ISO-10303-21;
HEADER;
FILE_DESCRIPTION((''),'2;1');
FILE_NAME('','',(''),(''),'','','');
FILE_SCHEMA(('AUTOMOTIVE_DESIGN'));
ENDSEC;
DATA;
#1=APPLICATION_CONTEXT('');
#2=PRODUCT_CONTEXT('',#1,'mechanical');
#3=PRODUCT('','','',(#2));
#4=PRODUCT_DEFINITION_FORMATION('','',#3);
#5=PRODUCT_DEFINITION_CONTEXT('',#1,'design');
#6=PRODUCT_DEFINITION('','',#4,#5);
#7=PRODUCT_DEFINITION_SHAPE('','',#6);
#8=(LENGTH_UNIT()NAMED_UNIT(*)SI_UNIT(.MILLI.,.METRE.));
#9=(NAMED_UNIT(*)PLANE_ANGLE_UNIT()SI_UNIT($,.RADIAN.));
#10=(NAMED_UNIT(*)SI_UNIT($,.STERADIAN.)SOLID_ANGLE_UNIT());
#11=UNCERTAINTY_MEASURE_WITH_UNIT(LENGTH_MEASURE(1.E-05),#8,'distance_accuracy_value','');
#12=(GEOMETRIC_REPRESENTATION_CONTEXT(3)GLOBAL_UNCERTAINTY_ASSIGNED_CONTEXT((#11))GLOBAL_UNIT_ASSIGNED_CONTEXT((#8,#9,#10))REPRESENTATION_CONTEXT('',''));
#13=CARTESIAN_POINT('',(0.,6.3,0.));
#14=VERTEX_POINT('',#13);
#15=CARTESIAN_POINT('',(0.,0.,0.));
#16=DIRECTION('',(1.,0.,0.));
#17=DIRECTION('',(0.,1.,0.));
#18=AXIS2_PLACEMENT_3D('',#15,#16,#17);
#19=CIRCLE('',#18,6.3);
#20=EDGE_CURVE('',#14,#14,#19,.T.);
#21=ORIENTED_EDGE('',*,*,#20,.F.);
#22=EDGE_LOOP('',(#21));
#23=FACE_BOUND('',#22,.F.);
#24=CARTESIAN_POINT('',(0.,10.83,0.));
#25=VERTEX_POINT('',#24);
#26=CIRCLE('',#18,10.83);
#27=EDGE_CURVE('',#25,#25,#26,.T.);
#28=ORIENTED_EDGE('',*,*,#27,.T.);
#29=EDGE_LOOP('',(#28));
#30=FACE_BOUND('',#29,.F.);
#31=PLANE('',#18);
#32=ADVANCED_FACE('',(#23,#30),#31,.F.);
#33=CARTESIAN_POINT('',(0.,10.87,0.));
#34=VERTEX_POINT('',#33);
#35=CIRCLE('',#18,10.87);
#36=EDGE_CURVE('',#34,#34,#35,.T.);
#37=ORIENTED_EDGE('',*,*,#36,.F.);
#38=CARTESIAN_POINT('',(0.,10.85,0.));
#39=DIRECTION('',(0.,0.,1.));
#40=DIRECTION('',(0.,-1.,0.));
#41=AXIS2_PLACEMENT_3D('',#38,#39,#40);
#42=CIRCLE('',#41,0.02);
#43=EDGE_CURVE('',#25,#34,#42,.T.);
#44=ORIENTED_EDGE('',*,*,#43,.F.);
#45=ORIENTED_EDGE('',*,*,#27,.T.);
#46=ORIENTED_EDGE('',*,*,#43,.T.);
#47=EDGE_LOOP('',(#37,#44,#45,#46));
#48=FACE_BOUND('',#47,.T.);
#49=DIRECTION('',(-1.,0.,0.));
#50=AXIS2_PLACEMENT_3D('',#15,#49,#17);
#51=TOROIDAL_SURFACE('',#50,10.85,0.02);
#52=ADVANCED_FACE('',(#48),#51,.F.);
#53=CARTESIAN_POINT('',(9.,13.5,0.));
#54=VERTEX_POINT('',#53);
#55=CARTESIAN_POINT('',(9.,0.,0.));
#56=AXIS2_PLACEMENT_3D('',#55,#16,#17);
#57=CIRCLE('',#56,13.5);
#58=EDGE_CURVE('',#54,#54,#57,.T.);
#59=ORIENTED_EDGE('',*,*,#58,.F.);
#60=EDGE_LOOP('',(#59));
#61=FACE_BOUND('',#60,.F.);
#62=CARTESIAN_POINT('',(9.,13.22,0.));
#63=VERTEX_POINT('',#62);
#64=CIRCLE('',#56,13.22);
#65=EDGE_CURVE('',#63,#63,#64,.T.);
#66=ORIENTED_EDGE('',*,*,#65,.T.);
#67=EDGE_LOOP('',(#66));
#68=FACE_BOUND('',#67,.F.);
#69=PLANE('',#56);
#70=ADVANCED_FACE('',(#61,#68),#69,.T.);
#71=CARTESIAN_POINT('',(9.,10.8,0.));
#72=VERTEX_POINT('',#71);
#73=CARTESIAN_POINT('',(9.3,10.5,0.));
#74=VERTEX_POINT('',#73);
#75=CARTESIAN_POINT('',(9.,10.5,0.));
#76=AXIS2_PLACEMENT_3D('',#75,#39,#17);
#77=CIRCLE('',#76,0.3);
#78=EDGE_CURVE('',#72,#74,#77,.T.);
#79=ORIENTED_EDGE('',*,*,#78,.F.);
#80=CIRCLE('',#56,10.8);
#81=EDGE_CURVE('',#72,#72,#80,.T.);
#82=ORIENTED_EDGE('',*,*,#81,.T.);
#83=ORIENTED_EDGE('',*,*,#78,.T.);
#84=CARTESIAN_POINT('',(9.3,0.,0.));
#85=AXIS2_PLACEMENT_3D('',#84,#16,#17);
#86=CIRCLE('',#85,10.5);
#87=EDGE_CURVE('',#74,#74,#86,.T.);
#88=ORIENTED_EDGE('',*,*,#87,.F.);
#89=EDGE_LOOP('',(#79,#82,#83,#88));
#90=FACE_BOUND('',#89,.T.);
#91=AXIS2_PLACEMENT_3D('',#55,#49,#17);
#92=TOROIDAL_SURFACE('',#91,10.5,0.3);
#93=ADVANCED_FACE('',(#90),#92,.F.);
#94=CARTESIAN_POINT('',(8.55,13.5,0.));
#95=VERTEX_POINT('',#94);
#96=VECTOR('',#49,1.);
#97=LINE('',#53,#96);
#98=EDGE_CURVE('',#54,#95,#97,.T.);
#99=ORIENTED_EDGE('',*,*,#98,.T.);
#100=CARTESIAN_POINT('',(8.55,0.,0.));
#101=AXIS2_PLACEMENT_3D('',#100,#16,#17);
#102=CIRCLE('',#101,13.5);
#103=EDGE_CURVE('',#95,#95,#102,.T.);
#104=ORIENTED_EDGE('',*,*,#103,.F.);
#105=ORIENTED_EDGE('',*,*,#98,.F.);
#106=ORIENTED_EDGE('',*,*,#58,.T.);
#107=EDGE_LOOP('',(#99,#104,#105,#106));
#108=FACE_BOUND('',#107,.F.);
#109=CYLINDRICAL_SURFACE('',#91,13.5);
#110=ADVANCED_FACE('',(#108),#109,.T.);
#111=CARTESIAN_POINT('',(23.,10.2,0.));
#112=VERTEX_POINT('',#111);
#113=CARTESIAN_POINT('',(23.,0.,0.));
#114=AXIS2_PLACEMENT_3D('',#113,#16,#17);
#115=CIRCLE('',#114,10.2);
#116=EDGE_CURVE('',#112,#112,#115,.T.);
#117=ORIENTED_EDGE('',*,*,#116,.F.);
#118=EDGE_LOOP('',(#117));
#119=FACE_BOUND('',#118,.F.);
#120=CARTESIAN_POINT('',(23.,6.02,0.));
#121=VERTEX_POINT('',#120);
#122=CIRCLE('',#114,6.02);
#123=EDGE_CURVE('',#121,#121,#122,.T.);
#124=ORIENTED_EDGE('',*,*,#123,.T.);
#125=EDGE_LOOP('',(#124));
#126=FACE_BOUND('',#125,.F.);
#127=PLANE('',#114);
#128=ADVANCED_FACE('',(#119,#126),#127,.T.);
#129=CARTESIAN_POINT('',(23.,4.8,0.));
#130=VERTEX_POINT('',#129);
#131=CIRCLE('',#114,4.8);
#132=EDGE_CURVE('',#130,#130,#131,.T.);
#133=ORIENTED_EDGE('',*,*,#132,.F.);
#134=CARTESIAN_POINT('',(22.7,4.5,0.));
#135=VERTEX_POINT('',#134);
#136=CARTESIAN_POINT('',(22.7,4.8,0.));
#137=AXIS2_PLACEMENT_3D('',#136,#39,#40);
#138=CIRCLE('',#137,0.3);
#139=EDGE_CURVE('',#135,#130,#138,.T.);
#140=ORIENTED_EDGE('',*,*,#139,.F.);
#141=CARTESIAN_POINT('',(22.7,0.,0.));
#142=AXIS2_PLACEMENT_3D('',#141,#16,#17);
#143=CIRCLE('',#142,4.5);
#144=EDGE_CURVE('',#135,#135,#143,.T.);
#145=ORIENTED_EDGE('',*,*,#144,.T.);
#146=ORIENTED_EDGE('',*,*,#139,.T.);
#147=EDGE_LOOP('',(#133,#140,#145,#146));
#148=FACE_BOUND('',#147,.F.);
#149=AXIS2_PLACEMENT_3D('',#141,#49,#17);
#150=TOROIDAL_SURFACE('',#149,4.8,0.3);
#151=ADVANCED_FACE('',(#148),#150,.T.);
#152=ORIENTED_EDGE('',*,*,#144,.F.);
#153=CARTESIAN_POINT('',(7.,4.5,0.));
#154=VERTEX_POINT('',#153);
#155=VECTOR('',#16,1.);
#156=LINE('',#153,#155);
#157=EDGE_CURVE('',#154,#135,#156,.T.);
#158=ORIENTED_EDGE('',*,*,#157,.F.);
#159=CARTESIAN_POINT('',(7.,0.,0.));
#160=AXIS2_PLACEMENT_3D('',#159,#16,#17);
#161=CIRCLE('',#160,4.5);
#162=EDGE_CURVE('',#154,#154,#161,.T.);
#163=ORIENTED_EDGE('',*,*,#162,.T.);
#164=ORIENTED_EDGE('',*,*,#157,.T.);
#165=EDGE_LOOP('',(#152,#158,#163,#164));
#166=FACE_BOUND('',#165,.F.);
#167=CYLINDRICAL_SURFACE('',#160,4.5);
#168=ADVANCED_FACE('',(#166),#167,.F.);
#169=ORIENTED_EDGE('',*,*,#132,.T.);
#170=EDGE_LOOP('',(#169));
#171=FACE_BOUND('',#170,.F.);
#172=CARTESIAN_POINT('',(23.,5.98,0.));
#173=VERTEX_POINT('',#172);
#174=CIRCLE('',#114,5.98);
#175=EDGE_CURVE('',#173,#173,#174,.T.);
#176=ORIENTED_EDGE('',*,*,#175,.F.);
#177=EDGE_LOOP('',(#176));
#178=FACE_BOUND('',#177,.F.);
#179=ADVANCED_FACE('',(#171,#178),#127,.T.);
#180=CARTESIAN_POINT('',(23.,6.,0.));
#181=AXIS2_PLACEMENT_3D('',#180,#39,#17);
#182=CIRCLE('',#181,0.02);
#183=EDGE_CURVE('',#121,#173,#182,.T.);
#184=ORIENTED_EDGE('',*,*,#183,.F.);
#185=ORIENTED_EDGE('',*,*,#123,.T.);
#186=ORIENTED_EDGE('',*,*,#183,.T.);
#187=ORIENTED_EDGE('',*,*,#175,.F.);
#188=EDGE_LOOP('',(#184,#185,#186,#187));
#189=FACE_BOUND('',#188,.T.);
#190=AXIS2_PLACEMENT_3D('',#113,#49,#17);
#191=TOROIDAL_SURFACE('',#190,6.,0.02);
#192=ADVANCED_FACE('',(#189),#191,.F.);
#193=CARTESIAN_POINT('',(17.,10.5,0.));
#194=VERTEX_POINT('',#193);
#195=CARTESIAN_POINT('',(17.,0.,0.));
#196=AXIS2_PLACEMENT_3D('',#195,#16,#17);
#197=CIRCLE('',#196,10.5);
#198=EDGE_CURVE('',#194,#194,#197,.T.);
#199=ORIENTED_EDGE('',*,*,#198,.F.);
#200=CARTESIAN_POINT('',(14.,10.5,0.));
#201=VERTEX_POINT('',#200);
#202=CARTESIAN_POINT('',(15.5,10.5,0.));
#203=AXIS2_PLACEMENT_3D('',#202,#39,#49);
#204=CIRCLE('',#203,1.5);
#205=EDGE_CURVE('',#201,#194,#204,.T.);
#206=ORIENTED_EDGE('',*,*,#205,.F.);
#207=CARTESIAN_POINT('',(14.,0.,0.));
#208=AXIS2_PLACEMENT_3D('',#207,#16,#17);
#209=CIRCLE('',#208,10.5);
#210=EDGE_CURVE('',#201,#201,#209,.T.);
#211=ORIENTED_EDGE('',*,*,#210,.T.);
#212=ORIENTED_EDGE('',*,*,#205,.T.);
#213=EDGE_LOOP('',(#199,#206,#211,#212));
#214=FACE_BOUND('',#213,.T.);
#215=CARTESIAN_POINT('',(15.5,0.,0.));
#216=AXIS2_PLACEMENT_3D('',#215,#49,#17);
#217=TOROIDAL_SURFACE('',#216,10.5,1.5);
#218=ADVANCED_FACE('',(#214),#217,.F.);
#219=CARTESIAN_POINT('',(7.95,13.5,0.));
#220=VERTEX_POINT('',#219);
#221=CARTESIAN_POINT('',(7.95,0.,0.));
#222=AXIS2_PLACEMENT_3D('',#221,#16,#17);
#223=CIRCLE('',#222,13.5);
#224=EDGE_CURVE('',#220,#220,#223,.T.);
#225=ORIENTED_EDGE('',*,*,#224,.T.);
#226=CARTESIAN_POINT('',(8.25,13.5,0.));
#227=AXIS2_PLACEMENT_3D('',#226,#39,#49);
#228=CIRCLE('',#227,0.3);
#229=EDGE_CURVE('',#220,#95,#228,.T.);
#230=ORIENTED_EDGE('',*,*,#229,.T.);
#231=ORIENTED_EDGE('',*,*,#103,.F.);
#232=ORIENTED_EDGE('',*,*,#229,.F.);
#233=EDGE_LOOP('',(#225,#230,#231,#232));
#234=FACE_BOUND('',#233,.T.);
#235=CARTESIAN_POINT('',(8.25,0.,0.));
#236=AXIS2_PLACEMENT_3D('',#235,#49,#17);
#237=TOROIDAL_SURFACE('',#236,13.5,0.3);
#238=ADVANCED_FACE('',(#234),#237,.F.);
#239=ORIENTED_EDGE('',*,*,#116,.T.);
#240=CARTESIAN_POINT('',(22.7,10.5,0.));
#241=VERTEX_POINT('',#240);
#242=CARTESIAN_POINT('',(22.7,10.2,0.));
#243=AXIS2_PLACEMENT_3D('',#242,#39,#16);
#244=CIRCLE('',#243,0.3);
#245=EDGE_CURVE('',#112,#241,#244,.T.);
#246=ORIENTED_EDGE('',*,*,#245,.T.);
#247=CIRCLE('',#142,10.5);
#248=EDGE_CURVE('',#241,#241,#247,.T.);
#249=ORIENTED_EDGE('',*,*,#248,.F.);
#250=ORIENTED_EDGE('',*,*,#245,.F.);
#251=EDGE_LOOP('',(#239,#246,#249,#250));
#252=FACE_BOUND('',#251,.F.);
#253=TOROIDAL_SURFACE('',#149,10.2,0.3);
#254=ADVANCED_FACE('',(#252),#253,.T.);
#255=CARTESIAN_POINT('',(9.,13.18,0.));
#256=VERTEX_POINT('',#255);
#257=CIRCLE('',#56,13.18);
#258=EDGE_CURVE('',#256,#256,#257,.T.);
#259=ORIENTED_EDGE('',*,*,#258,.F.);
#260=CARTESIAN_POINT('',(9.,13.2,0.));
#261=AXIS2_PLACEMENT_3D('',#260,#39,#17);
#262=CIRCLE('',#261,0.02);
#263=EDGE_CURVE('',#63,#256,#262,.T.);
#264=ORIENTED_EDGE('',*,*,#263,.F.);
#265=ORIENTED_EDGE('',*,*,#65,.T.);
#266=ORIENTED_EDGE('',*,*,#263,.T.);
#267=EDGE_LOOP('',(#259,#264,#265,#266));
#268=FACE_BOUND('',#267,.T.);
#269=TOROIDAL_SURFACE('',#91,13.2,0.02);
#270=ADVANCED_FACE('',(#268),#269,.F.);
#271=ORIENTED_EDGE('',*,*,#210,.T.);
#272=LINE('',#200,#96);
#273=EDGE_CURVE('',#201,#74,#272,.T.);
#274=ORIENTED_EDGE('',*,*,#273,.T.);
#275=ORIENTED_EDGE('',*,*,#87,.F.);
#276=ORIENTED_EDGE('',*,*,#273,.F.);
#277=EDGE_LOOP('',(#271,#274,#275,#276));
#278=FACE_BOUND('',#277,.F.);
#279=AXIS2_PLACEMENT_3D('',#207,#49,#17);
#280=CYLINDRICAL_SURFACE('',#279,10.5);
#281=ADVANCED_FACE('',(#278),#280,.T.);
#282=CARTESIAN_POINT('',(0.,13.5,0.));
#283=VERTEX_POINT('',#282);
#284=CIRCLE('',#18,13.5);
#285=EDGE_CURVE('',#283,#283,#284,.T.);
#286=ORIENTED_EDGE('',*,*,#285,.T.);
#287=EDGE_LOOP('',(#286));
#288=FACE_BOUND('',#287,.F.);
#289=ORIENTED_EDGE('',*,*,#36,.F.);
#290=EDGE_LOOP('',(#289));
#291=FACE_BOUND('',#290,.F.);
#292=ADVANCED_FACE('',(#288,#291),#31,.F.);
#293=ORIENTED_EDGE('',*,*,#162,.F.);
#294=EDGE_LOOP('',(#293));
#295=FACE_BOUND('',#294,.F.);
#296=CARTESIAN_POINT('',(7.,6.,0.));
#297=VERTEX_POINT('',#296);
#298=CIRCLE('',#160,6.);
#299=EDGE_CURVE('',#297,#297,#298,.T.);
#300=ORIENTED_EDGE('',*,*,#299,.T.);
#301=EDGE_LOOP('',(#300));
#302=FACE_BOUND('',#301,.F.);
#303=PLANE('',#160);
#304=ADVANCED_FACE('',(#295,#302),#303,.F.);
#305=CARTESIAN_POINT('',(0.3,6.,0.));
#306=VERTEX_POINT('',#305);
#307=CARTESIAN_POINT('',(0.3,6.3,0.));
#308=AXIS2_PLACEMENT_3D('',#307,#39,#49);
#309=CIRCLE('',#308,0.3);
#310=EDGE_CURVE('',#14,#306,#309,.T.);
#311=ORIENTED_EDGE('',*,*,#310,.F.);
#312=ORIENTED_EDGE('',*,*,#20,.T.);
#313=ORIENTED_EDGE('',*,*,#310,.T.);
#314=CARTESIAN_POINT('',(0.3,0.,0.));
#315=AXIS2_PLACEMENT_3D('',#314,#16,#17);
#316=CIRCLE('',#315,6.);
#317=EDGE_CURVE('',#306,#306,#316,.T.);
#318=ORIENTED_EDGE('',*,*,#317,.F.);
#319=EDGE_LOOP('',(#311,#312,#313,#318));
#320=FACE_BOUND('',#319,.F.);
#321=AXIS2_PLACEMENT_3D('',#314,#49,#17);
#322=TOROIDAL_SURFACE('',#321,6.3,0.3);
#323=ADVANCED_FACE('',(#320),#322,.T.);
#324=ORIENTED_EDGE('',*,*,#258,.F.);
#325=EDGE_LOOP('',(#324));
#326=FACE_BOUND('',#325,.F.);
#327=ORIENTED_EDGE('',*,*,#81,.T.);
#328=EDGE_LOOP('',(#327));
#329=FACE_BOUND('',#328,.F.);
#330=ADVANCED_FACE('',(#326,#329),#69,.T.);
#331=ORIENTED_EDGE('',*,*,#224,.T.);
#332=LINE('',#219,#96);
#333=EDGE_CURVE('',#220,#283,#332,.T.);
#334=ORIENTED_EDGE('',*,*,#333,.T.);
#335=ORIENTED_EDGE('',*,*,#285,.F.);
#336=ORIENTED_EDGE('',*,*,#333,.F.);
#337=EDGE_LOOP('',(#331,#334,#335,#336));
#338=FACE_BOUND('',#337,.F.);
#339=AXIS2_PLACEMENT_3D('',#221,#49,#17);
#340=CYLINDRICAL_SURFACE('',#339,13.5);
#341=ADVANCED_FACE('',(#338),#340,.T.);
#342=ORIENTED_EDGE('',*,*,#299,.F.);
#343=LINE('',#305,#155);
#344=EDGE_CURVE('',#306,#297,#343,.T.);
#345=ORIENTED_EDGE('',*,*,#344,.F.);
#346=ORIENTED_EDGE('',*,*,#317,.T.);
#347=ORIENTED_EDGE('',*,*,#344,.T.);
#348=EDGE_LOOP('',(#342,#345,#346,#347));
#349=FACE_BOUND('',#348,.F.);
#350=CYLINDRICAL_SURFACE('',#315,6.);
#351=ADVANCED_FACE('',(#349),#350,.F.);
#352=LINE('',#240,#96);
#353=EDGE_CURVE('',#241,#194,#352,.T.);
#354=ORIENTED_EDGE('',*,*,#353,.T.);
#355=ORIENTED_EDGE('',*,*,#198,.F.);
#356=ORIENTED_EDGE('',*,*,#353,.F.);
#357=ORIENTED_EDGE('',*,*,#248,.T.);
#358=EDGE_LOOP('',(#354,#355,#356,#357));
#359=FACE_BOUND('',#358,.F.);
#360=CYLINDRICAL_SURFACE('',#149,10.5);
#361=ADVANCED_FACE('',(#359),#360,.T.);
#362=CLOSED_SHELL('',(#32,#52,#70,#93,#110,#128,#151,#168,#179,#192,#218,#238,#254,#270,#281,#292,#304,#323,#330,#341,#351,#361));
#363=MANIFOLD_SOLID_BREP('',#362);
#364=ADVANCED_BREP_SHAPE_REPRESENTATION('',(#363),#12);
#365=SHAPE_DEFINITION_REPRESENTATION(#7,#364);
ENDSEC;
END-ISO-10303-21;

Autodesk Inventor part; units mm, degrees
sketch "Sketch_1" plane through (0, 0, 0) normal (0, 0, 1) x (1, 0, 0)
  line L0 (23, 0) -> (0, 0)
  line L1 (0, 13.5) -> (0, 10.87)
  arc A0 (0, 10.83) -> (0, 10.87) centre (0, 10.85) ccw
  line L2 (0, 10.83) -> (0, 6.3)
  arc A1 (0, 6.3) -> (0.3, 6) centre (0.3, 6.3) ccw
  line L3 (0.3, 6) -> (7, 6)
  line L4 (7, 6) -> (7, 4.5)
  line L5 (7, 4.5) -> (22.7, 4.5)
  arc A2 (22.7, 4.5) -> (23, 4.8) centre (22.7, 4.8) ccw
  line L6 (23, 4.8) -> (23, 5.98)
  arc A3 (23, 6.02) -> (23, 5.98) centre (23, 6) ccw
  line L7 (23, 6.02) -> (23, 10.2)
  arc A4 (23, 10.2) -> (22.7, 10.5) centre (22.7, 10.2) ccw
  line L8 (22.7, 10.5) -> (17, 10.5)
  arc A5 (14, 10.5) -> (17, 10.5) centre (15.5, 10.5) ccw
  line L9 (14, 10.5) -> (9.3, 10.5)
  arc A6 (9, 10.8) -> (9.3, 10.5) centre (9, 10.5) ccw
  line L10 (9, 10.8) -> (9, 13.18)
  arc A7 (9, 13.22) -> (9, 13.18) centre (9, 13.2) ccw
  line L11 (9, 13.22) -> (9, 13.5)
  line L12 (9, 13.5) -> (8.55, 13.5)
  arc A8 (7.95, 13.5) -> (8.55, 13.5) centre (8.25, 13.5) ccw
  line L13 (7.95, 13.5) -> (0, 13.5)
revolve "Revolution1" add sketch "Sketch_1" angle 360 about axis through (23, 0, 0) along (1, 0, 0)
ref_plane "to_housing_XY" through (9, 0, 0) normal (1, 0, 0) x (0, 0, -1)
ref_plane "to_housing_YZ" through (9, 0, 0) normal (0, 0, -1) x (0, 1, 0)
ref_plane "to_housing_ZX" through (9, 0, 0) normal (0, 1, 0) x (1, 0, 0)
properties part number "NKXZ9"
